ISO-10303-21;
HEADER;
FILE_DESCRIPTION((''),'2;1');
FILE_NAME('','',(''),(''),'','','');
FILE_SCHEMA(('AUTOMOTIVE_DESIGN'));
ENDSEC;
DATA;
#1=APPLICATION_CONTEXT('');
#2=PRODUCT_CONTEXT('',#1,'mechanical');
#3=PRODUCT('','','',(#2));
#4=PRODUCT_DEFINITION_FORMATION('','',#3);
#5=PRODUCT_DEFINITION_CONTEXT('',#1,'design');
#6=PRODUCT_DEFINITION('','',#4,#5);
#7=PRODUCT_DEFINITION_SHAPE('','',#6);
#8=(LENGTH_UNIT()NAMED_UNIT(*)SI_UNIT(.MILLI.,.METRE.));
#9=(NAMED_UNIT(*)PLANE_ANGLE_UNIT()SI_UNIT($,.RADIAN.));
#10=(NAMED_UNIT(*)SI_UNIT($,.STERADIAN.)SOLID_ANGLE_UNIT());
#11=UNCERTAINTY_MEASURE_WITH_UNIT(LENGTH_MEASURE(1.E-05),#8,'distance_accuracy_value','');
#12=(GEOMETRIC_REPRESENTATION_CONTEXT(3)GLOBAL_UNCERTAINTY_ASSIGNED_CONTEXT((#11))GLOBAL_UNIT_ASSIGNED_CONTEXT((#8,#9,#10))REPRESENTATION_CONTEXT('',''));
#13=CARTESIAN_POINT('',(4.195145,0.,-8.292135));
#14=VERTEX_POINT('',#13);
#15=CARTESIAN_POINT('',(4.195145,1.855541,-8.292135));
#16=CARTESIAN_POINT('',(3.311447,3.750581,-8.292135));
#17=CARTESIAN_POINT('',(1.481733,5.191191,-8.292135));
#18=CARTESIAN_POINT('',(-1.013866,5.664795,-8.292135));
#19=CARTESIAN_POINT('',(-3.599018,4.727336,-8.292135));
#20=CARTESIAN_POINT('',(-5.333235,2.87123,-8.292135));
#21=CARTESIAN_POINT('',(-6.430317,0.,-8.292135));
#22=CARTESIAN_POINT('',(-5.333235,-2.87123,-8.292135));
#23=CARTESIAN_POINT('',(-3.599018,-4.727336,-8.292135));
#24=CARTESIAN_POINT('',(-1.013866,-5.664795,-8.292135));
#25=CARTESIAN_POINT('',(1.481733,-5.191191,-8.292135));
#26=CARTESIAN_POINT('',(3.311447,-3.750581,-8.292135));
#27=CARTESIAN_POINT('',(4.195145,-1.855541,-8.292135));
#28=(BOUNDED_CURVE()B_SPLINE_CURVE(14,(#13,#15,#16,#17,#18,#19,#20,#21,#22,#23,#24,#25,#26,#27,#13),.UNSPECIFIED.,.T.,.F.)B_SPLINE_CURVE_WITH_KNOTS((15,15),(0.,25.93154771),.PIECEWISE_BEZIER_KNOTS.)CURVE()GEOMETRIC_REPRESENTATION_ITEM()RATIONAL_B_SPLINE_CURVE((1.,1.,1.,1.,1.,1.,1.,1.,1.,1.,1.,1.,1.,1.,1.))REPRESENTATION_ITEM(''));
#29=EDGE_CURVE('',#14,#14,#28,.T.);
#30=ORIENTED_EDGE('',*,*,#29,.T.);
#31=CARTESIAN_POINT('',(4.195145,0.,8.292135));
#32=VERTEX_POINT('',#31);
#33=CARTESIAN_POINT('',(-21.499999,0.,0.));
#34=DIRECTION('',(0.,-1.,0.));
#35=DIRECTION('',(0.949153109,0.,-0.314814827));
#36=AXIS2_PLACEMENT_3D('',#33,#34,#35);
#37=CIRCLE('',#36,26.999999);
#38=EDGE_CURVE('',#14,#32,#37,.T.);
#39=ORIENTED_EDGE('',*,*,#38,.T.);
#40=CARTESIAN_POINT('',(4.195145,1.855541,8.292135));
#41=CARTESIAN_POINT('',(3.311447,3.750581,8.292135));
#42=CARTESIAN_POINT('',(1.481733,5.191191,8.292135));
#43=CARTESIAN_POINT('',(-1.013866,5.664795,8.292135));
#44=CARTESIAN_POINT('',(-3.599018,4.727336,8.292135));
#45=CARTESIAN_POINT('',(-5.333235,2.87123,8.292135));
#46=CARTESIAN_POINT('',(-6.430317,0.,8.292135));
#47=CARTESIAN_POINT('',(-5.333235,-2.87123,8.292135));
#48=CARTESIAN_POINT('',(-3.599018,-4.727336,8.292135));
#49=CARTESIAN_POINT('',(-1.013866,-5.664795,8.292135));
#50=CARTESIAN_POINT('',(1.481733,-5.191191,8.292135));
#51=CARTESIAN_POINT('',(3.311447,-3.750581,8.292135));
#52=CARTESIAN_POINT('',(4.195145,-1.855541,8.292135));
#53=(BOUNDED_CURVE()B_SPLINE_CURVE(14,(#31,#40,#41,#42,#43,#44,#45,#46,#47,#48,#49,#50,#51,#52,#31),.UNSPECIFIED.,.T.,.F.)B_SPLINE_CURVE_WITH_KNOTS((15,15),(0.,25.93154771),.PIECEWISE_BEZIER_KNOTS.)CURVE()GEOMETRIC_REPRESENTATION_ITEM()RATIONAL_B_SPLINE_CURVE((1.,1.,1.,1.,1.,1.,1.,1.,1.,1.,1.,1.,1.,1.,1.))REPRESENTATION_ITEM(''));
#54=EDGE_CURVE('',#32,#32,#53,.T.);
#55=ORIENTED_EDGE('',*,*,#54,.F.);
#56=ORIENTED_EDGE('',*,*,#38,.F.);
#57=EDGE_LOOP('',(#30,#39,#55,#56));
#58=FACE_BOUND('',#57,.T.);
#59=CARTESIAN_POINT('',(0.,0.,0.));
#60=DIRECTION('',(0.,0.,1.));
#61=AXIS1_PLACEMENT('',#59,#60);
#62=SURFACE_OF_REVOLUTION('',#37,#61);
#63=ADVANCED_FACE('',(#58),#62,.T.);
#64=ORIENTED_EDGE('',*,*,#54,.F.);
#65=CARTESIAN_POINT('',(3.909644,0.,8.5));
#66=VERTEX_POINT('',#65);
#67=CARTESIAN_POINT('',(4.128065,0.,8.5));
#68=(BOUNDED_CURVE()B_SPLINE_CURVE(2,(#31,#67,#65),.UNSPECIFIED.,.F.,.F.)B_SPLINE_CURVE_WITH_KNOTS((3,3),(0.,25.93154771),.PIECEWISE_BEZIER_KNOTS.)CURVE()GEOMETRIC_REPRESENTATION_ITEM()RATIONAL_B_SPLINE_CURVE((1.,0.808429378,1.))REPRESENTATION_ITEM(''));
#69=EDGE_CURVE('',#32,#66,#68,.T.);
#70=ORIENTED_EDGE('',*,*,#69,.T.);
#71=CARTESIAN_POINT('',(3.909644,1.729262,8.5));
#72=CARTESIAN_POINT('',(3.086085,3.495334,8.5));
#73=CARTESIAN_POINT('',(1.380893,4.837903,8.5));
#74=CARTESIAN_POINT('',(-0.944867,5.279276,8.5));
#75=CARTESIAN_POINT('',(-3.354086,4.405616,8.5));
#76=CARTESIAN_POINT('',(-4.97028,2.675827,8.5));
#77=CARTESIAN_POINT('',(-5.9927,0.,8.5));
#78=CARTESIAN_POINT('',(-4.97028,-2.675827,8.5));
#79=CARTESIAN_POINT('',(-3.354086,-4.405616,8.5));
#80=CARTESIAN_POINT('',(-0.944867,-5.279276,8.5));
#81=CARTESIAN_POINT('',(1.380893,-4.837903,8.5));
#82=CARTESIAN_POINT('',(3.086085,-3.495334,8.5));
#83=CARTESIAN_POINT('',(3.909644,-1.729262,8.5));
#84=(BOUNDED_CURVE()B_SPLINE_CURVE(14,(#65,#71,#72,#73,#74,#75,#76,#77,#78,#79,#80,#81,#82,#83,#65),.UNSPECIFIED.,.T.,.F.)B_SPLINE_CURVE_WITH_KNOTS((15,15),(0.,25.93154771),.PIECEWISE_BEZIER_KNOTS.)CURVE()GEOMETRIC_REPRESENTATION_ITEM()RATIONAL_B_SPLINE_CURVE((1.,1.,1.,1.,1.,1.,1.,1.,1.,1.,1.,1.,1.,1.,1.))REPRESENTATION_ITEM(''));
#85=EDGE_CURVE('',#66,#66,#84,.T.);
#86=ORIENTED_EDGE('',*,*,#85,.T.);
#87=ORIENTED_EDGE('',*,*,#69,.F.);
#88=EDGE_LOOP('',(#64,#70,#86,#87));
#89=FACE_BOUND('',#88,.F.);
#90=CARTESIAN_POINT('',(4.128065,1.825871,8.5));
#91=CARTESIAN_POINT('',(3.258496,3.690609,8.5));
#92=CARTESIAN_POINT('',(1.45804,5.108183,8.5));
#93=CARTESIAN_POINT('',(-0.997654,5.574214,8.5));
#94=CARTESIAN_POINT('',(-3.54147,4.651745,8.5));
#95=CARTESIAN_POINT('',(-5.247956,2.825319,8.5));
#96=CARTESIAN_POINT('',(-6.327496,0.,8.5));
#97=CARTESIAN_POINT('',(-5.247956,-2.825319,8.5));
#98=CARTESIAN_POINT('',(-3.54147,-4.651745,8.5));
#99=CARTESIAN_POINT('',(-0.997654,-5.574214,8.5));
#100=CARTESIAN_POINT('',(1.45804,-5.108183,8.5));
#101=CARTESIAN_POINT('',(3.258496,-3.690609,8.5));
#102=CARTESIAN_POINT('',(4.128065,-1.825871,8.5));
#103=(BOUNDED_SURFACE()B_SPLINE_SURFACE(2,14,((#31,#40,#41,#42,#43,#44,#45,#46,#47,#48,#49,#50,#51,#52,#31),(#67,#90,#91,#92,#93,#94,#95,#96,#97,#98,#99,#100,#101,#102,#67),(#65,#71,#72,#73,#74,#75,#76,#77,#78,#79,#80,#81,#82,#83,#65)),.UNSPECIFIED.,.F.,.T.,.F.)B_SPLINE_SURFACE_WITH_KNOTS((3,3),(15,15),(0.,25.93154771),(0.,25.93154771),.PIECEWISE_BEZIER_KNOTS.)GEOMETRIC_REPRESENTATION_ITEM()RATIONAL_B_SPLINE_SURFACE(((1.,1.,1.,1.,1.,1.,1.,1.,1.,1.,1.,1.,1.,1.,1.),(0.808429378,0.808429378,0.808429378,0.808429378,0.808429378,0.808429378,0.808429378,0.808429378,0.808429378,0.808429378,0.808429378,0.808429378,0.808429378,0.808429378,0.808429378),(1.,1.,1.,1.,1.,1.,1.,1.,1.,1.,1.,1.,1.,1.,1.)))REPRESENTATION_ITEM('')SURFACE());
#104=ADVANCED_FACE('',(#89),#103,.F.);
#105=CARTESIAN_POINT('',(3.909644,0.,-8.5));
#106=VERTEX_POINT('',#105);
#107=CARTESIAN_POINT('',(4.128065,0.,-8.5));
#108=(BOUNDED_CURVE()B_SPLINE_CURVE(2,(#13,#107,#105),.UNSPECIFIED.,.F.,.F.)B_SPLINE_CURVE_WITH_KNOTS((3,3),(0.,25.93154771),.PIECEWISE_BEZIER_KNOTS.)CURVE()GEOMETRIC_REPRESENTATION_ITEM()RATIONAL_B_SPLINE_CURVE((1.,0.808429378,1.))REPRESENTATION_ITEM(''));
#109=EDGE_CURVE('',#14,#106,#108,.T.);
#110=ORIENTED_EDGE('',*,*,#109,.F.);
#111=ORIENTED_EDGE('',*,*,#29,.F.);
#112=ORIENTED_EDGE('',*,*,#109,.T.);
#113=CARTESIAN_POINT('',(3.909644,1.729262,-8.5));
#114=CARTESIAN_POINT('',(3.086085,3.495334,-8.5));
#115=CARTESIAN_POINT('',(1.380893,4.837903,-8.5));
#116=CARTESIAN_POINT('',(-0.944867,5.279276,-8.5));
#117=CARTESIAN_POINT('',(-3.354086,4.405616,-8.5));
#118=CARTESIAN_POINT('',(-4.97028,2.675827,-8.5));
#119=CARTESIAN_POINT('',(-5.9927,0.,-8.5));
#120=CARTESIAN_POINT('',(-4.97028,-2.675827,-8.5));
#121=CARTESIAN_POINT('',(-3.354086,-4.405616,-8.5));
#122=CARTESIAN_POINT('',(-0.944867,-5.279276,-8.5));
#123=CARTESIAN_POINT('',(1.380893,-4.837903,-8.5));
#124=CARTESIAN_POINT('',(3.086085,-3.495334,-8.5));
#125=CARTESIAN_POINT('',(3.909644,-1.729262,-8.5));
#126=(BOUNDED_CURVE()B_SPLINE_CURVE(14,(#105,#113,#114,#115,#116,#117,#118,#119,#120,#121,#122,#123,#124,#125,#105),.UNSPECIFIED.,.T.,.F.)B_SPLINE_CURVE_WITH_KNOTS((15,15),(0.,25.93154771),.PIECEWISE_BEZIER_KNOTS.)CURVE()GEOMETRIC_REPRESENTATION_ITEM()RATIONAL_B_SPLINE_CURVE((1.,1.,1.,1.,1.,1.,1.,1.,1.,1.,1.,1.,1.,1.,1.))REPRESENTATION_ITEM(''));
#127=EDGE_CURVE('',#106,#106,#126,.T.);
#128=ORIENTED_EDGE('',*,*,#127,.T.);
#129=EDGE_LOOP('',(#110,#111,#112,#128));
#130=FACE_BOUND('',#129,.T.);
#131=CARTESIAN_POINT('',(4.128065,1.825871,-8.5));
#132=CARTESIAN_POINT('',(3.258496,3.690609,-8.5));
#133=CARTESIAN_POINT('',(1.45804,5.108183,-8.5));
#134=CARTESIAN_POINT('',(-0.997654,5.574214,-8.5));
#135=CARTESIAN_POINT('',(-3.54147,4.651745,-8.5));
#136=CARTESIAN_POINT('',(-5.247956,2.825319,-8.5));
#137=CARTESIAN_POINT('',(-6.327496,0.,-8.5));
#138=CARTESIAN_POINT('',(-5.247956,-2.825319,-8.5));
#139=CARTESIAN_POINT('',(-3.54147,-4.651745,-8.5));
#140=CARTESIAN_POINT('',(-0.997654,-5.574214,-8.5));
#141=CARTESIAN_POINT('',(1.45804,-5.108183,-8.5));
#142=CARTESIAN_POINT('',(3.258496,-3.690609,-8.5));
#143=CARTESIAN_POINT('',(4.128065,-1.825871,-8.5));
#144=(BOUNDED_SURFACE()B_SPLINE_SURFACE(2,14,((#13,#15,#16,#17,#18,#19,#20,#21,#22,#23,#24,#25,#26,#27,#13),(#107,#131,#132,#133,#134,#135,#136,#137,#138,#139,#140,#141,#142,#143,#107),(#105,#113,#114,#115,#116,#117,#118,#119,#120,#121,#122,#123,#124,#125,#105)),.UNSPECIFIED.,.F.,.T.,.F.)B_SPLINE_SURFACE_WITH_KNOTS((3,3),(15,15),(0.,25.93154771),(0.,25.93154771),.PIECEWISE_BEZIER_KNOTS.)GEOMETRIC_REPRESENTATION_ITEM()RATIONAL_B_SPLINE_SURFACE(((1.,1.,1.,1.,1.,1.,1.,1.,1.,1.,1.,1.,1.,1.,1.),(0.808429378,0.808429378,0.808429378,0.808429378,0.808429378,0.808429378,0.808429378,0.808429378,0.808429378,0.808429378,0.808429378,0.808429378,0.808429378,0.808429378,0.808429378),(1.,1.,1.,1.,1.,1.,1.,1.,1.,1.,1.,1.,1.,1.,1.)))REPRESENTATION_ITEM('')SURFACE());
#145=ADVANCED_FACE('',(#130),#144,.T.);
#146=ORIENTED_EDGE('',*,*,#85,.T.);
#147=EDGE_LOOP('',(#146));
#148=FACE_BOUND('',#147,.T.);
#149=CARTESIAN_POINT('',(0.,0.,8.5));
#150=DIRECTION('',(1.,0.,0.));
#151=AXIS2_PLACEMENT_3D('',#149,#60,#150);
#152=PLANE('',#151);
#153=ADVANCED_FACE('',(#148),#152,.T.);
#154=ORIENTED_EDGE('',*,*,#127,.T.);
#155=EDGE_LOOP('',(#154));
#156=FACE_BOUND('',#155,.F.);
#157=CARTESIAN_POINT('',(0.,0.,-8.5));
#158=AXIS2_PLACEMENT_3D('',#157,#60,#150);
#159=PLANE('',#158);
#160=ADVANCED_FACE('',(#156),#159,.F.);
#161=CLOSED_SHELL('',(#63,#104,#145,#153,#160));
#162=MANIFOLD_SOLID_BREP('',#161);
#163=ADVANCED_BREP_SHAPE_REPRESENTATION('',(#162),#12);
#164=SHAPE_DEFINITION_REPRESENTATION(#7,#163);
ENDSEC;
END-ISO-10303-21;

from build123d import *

# Parameters (mm, degrees)
FILLET_R = 0.3


with BuildPart() as part:
    # Sketch → Revolution (revolve)
    with BuildSketch(Plane.XZ):
        with BuildLine():
            ThreePointArc((4.127134, -8.5), (5.5, 0), (4.127134, 8.5))
            Line((4.127134, 8.5), (0, 8.5))
            Line((0, -8.5), (0, 8.5))
            Line((4.127134, -8.5), (0, -8.5))
        make_face()
    revolve(axis=Axis((0, 0, 0), (0, 0, 1)))

    # Fillet
    fillet_edges = [part.edges().sort_by_distance(p)[0] for p in [
        (-4.127134, 0, 8.5),
        (-4.127134, 0, -8.5),
    ]]
    fillet(fillet_edges, radius=FILLET_R)


solid = part.part
